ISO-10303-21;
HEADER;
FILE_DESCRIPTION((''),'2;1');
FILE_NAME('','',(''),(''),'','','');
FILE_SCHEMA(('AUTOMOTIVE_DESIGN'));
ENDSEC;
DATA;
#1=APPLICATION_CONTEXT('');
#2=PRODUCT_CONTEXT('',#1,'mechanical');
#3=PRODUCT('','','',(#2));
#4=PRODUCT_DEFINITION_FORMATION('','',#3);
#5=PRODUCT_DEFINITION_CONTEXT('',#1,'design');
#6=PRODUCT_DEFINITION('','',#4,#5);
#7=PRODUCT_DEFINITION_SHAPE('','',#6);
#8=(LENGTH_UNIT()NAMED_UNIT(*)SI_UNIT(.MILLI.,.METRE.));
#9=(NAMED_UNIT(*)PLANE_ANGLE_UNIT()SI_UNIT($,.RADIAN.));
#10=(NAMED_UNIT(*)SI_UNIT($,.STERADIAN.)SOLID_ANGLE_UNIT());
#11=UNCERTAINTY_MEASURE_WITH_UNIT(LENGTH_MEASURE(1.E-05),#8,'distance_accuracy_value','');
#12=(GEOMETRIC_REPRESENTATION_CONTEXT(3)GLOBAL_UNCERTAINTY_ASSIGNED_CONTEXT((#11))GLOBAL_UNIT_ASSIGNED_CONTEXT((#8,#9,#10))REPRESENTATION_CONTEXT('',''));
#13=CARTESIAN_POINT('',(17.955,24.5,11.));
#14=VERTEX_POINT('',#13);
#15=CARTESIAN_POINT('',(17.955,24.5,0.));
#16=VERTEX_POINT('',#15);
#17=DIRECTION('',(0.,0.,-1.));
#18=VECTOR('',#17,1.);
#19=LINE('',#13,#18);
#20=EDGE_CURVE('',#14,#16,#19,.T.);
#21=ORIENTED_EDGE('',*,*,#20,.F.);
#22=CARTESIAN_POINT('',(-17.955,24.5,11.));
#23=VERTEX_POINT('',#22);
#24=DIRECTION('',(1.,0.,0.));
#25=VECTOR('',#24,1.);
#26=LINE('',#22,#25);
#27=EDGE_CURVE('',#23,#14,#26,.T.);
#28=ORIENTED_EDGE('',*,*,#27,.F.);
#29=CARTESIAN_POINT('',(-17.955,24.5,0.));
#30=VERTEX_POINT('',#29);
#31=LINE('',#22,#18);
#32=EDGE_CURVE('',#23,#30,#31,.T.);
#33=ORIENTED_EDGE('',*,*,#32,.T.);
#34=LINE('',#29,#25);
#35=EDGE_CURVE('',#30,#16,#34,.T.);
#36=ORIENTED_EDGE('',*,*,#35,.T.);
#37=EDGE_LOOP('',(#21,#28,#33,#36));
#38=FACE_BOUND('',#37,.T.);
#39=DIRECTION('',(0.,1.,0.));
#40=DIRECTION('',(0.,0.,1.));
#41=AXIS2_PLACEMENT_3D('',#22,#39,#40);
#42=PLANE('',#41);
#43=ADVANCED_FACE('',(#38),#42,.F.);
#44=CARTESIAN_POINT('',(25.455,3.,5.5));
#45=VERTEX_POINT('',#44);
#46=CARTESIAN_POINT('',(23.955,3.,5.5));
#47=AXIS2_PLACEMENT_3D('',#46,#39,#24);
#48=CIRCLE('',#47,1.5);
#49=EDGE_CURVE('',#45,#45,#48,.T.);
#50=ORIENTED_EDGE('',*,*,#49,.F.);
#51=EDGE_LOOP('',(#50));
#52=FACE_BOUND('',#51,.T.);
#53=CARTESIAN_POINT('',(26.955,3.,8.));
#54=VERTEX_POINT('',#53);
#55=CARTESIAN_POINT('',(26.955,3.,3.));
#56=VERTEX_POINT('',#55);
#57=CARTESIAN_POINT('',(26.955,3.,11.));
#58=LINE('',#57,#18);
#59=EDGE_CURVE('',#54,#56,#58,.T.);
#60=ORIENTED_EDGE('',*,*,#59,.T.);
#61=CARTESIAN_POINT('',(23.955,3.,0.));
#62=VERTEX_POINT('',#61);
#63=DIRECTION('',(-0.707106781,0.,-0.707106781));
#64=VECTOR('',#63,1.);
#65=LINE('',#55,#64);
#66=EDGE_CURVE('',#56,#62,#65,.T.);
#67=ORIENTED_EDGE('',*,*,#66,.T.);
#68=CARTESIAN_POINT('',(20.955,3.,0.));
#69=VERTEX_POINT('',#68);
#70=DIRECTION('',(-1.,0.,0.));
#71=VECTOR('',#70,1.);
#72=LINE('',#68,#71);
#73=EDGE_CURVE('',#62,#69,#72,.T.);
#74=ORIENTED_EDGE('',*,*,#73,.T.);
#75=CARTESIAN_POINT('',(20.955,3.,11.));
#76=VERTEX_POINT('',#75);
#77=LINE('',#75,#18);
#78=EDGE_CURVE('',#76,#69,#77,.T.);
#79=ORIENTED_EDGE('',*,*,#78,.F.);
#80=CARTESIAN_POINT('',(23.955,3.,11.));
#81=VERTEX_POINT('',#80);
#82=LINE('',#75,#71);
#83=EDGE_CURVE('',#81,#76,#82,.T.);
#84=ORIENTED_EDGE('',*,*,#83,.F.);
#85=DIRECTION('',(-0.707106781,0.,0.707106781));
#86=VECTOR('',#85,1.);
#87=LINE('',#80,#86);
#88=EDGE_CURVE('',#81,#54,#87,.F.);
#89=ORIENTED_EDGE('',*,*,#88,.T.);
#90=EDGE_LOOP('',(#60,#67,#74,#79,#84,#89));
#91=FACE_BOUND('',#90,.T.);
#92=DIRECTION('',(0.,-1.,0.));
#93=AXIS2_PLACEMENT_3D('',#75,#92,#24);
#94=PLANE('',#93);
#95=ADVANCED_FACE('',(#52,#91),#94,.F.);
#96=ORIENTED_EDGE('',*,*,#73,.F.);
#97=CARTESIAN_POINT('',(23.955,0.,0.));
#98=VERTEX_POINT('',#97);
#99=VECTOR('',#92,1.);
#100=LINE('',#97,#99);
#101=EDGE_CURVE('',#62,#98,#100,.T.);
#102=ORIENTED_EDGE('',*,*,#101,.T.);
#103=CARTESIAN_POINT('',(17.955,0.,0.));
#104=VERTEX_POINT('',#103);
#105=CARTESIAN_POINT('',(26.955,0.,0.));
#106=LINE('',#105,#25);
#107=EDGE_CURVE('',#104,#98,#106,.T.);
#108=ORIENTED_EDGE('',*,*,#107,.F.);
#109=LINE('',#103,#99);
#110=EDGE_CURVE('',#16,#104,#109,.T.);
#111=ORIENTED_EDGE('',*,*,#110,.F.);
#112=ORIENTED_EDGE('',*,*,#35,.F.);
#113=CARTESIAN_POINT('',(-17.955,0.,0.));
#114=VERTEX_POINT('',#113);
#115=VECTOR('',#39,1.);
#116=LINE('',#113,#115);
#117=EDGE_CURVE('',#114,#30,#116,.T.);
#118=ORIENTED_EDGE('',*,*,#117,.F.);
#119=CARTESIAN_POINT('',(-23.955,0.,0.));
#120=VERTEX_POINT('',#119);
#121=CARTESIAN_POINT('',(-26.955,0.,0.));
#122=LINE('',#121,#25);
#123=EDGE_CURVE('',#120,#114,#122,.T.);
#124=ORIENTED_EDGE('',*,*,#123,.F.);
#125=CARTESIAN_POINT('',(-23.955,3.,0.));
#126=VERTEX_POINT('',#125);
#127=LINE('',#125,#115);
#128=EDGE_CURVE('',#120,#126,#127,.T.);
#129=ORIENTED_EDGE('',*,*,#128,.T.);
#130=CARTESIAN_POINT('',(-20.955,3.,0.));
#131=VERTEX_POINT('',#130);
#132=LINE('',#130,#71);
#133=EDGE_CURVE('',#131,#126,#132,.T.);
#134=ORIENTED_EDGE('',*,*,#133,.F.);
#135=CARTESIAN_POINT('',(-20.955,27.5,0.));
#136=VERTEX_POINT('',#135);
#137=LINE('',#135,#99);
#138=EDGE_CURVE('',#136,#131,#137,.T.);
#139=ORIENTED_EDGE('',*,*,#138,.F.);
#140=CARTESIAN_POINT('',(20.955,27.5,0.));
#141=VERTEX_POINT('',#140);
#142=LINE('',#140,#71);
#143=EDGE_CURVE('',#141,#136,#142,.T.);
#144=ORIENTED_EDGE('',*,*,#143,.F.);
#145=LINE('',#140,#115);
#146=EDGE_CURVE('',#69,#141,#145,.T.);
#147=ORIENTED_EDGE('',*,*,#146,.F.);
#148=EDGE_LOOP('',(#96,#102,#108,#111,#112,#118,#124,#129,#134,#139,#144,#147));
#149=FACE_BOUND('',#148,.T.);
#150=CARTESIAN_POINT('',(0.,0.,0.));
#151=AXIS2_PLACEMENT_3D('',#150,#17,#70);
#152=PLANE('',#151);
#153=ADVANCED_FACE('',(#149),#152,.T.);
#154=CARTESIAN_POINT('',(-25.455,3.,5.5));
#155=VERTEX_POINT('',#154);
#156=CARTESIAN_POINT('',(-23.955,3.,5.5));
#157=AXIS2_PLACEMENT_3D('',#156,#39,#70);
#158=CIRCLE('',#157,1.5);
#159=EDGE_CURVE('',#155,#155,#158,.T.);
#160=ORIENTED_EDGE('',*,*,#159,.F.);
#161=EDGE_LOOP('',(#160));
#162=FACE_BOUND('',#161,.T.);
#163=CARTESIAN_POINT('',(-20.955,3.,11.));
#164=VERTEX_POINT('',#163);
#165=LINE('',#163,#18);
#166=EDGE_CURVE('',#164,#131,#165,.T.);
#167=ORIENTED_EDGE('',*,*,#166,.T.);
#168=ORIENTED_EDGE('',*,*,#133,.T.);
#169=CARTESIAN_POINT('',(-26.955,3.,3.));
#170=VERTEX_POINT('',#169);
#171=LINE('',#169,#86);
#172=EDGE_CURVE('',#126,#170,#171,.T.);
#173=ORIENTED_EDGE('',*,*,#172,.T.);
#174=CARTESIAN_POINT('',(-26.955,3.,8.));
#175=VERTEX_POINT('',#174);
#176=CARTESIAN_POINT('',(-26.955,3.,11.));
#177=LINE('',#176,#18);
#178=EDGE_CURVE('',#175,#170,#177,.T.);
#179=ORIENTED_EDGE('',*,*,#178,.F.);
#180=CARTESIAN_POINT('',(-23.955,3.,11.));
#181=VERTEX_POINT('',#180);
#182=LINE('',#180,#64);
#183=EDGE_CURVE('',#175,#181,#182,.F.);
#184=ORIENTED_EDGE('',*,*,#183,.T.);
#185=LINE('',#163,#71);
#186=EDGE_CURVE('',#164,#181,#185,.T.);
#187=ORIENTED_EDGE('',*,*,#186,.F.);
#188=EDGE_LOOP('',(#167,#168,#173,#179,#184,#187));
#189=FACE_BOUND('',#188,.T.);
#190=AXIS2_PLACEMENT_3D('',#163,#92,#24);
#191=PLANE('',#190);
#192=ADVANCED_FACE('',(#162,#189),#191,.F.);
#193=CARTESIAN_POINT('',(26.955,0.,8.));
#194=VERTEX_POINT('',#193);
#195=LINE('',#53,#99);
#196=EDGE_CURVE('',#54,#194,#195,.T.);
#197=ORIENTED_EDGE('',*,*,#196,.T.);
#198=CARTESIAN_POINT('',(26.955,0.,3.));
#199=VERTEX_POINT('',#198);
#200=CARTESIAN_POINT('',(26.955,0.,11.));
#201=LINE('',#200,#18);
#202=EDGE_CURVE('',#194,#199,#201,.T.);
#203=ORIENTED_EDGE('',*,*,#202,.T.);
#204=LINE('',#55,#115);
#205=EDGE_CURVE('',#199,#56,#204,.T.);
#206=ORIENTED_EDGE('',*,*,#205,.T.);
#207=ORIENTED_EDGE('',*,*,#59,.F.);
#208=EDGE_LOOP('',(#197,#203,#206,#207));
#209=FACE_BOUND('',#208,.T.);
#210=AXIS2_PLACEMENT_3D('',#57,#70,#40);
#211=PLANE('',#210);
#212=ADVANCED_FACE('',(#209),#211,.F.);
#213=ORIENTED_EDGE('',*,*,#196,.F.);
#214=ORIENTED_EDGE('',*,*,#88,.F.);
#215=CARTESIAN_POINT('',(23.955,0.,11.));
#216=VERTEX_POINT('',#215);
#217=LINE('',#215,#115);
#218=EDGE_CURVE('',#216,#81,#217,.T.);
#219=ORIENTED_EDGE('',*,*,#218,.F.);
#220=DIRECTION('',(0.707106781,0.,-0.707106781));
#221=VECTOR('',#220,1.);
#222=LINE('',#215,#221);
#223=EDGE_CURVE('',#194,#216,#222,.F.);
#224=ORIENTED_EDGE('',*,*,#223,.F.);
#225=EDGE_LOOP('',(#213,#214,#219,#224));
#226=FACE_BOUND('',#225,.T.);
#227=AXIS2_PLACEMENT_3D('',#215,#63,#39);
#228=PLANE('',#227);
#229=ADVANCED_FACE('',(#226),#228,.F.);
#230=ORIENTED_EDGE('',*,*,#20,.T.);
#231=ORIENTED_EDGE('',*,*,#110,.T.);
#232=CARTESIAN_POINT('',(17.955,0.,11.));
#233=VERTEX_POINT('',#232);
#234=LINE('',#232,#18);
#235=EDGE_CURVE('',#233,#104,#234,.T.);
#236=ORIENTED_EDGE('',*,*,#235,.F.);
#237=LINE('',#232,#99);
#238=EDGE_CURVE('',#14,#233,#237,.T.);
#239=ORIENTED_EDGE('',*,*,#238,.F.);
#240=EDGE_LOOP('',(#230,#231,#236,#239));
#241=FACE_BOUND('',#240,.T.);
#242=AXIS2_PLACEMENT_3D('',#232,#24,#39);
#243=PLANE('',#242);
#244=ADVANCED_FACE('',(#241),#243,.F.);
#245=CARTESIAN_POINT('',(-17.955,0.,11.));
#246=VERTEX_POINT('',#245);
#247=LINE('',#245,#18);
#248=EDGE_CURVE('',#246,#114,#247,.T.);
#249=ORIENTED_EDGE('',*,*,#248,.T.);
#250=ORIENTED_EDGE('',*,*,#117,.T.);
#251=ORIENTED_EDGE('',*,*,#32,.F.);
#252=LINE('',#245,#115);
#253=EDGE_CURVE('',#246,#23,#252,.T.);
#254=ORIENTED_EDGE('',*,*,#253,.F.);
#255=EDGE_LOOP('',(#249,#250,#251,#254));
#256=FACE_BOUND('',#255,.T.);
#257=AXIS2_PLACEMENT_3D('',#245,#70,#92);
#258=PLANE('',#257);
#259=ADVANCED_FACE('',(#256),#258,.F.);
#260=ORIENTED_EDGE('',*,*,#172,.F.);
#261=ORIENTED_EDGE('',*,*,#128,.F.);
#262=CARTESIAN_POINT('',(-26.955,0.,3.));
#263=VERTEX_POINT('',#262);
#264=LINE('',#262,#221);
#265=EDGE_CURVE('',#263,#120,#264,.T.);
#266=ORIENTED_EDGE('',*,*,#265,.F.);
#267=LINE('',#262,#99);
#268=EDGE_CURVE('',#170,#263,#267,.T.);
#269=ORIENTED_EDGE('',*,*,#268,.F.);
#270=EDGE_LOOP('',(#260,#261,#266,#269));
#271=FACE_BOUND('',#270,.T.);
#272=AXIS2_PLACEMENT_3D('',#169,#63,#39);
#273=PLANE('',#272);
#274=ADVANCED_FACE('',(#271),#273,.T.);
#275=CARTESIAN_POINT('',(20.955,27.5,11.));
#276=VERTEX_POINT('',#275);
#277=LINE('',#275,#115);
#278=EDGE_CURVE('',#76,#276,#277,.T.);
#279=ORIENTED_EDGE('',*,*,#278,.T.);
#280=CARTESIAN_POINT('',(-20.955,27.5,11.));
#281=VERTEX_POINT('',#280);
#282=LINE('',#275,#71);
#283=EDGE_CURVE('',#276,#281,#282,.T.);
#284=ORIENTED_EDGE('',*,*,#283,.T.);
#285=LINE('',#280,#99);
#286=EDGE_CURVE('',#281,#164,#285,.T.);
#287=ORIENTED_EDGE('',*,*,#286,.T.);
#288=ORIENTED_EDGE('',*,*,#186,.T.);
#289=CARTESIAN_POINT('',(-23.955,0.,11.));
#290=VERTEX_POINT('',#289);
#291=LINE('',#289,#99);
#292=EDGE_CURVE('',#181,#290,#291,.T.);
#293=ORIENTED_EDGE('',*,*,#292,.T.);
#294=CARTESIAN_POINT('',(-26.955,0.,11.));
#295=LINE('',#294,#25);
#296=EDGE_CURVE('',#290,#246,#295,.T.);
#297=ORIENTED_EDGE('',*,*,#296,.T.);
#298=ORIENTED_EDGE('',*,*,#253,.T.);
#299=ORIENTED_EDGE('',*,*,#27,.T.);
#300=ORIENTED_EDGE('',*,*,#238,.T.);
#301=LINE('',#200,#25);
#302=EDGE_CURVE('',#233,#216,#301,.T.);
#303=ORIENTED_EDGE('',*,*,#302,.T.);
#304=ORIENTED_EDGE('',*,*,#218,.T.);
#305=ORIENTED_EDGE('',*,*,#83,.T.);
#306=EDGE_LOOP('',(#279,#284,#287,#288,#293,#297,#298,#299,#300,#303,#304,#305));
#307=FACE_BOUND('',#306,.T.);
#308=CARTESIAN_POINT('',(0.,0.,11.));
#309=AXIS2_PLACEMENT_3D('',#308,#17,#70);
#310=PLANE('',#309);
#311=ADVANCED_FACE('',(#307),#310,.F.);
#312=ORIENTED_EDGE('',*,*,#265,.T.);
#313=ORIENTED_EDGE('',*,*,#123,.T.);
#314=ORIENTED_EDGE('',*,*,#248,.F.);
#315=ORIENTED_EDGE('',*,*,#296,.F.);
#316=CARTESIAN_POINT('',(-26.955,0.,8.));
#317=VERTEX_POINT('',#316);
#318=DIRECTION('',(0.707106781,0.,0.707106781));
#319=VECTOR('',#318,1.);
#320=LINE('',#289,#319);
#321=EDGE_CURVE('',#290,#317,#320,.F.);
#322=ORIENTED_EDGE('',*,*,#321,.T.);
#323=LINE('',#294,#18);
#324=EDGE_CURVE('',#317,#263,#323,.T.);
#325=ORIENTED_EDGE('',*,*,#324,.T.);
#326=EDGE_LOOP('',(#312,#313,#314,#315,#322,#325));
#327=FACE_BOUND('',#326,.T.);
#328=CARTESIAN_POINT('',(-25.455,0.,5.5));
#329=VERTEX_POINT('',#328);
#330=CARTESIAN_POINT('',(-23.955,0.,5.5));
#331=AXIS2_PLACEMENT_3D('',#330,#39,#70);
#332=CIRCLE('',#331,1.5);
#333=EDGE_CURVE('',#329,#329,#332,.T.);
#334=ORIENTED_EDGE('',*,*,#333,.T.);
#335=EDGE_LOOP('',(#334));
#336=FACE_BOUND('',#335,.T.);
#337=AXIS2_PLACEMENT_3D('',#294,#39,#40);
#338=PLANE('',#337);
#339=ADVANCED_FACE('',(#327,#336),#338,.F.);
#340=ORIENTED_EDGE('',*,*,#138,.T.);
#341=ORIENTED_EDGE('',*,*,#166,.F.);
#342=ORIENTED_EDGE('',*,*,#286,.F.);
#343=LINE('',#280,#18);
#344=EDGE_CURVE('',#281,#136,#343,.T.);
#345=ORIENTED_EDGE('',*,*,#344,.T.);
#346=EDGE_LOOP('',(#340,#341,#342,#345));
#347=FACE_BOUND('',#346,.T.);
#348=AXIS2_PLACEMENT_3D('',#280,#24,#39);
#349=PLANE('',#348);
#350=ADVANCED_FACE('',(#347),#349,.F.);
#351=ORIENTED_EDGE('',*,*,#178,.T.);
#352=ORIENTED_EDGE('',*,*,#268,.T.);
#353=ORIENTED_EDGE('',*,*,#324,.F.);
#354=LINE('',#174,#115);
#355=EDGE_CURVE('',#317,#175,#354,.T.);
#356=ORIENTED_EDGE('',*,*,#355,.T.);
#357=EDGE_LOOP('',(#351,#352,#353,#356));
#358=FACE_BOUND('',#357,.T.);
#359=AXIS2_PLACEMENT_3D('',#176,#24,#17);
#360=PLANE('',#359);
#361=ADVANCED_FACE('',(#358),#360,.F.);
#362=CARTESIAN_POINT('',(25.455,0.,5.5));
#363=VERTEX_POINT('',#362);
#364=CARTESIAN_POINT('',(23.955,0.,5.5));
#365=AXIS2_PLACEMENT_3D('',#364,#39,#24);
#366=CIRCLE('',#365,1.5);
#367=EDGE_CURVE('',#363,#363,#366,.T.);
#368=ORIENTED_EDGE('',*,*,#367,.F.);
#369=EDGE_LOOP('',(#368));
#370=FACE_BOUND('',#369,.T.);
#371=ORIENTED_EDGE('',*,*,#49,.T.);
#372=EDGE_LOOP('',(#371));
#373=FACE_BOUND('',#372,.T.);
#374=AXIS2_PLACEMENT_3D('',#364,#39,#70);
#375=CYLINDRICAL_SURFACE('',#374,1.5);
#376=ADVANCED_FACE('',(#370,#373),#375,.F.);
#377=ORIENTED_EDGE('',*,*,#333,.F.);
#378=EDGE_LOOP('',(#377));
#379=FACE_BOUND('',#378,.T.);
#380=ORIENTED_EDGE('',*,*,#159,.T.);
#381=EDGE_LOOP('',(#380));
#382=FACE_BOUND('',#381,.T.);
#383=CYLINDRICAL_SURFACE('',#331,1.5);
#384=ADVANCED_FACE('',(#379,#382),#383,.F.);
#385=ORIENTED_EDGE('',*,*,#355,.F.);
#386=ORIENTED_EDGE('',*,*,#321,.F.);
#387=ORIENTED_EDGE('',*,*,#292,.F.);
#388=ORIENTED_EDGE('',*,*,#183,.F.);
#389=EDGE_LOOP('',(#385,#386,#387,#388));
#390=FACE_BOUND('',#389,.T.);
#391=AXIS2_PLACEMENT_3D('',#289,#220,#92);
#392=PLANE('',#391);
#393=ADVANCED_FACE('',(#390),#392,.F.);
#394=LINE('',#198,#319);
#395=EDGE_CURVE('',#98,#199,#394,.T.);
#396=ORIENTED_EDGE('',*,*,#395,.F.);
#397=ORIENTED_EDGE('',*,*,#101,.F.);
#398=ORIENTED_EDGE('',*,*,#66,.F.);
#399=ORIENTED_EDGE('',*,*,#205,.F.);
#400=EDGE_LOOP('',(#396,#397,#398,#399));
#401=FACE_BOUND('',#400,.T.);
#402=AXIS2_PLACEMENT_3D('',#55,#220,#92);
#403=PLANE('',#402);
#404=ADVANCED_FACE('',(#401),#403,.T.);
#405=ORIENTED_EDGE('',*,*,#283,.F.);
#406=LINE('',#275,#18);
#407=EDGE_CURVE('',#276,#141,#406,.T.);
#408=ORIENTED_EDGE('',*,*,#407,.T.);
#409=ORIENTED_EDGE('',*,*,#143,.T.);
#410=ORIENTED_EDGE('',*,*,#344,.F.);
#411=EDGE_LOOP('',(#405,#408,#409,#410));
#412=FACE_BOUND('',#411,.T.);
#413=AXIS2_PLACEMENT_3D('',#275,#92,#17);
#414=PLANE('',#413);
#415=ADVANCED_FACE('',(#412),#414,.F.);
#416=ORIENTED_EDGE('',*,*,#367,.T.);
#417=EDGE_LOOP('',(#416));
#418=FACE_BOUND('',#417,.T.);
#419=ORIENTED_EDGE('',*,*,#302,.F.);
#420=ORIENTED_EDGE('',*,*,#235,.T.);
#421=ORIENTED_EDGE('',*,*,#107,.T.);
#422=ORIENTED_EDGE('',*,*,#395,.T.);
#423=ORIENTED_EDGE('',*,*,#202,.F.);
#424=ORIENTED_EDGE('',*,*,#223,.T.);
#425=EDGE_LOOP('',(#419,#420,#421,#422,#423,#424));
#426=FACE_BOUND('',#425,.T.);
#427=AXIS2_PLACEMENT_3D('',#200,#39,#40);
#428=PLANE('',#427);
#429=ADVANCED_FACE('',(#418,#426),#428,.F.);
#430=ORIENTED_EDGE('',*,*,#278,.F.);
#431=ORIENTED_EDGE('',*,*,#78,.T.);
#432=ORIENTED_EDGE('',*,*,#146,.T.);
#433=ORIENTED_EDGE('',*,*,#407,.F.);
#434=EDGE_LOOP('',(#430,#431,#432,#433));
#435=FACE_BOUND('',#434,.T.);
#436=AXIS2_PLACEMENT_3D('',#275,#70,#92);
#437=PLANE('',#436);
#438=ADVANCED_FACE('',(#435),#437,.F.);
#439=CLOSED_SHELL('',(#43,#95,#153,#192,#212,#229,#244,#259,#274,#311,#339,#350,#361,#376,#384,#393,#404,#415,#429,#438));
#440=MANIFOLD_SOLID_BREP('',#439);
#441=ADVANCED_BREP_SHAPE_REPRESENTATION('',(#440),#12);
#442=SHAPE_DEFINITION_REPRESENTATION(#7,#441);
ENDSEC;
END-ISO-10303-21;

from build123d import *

# Parameters (mm, degrees)
BOSS_EXTRUDE1_DEPTH = 11
CHAMFER1_SIZE       = 3
SKETCH2_R           = 1.5
CUT_EXTRUDE1_DEPTH  = 39.050256569


with BuildPart() as part:
    # Sketch1 → Boss-Extrude1 (new body)
    with BuildSketch(Plane.XY):
        Polygon((-26.955, 0), (-17.955, 0), (-17.955, 24.5), (17.955, 24.5), (17.955, 0), (26.955, 0), (26.955, 3), (20.955, 3), (20.955, 27.5), (-20.955, 27.5), (-20.955, 3), (-26.955, 3), align=None)
    extrude(amount=BOSS_EXTRUDE1_DEPTH)

    # Chamfer1
    chamfer1_edges = [part.edges().sort_by_distance(p)[0] for p in [
        (-26.955, 1.5, 0),
        (26.955, 1.5, 0),
        (26.955, 1.5, 11),
        (-26.955, 1.5, 11),
    ]]
    chamfer(chamfer1_edges, length=CHAMFER1_SIZE)

    # Sketch2 → Cut-Extrude1 (cut, through all)
    with BuildSketch(Plane(origin=(0, 3, 0), x_dir=(1, 0, 0), z_dir=(0, 1, 0))):
        with Locations(Location((-23.955, -5.5, 0), (0, 0, 180))):
            Circle(SKETCH2_R)
        with Locations((23.955, -5.5)):
            Circle(SKETCH2_R)
    extrude(amount=-CUT_EXTRUDE1_DEPTH, mode=Mode.SUBTRACT)


solid = part.part
